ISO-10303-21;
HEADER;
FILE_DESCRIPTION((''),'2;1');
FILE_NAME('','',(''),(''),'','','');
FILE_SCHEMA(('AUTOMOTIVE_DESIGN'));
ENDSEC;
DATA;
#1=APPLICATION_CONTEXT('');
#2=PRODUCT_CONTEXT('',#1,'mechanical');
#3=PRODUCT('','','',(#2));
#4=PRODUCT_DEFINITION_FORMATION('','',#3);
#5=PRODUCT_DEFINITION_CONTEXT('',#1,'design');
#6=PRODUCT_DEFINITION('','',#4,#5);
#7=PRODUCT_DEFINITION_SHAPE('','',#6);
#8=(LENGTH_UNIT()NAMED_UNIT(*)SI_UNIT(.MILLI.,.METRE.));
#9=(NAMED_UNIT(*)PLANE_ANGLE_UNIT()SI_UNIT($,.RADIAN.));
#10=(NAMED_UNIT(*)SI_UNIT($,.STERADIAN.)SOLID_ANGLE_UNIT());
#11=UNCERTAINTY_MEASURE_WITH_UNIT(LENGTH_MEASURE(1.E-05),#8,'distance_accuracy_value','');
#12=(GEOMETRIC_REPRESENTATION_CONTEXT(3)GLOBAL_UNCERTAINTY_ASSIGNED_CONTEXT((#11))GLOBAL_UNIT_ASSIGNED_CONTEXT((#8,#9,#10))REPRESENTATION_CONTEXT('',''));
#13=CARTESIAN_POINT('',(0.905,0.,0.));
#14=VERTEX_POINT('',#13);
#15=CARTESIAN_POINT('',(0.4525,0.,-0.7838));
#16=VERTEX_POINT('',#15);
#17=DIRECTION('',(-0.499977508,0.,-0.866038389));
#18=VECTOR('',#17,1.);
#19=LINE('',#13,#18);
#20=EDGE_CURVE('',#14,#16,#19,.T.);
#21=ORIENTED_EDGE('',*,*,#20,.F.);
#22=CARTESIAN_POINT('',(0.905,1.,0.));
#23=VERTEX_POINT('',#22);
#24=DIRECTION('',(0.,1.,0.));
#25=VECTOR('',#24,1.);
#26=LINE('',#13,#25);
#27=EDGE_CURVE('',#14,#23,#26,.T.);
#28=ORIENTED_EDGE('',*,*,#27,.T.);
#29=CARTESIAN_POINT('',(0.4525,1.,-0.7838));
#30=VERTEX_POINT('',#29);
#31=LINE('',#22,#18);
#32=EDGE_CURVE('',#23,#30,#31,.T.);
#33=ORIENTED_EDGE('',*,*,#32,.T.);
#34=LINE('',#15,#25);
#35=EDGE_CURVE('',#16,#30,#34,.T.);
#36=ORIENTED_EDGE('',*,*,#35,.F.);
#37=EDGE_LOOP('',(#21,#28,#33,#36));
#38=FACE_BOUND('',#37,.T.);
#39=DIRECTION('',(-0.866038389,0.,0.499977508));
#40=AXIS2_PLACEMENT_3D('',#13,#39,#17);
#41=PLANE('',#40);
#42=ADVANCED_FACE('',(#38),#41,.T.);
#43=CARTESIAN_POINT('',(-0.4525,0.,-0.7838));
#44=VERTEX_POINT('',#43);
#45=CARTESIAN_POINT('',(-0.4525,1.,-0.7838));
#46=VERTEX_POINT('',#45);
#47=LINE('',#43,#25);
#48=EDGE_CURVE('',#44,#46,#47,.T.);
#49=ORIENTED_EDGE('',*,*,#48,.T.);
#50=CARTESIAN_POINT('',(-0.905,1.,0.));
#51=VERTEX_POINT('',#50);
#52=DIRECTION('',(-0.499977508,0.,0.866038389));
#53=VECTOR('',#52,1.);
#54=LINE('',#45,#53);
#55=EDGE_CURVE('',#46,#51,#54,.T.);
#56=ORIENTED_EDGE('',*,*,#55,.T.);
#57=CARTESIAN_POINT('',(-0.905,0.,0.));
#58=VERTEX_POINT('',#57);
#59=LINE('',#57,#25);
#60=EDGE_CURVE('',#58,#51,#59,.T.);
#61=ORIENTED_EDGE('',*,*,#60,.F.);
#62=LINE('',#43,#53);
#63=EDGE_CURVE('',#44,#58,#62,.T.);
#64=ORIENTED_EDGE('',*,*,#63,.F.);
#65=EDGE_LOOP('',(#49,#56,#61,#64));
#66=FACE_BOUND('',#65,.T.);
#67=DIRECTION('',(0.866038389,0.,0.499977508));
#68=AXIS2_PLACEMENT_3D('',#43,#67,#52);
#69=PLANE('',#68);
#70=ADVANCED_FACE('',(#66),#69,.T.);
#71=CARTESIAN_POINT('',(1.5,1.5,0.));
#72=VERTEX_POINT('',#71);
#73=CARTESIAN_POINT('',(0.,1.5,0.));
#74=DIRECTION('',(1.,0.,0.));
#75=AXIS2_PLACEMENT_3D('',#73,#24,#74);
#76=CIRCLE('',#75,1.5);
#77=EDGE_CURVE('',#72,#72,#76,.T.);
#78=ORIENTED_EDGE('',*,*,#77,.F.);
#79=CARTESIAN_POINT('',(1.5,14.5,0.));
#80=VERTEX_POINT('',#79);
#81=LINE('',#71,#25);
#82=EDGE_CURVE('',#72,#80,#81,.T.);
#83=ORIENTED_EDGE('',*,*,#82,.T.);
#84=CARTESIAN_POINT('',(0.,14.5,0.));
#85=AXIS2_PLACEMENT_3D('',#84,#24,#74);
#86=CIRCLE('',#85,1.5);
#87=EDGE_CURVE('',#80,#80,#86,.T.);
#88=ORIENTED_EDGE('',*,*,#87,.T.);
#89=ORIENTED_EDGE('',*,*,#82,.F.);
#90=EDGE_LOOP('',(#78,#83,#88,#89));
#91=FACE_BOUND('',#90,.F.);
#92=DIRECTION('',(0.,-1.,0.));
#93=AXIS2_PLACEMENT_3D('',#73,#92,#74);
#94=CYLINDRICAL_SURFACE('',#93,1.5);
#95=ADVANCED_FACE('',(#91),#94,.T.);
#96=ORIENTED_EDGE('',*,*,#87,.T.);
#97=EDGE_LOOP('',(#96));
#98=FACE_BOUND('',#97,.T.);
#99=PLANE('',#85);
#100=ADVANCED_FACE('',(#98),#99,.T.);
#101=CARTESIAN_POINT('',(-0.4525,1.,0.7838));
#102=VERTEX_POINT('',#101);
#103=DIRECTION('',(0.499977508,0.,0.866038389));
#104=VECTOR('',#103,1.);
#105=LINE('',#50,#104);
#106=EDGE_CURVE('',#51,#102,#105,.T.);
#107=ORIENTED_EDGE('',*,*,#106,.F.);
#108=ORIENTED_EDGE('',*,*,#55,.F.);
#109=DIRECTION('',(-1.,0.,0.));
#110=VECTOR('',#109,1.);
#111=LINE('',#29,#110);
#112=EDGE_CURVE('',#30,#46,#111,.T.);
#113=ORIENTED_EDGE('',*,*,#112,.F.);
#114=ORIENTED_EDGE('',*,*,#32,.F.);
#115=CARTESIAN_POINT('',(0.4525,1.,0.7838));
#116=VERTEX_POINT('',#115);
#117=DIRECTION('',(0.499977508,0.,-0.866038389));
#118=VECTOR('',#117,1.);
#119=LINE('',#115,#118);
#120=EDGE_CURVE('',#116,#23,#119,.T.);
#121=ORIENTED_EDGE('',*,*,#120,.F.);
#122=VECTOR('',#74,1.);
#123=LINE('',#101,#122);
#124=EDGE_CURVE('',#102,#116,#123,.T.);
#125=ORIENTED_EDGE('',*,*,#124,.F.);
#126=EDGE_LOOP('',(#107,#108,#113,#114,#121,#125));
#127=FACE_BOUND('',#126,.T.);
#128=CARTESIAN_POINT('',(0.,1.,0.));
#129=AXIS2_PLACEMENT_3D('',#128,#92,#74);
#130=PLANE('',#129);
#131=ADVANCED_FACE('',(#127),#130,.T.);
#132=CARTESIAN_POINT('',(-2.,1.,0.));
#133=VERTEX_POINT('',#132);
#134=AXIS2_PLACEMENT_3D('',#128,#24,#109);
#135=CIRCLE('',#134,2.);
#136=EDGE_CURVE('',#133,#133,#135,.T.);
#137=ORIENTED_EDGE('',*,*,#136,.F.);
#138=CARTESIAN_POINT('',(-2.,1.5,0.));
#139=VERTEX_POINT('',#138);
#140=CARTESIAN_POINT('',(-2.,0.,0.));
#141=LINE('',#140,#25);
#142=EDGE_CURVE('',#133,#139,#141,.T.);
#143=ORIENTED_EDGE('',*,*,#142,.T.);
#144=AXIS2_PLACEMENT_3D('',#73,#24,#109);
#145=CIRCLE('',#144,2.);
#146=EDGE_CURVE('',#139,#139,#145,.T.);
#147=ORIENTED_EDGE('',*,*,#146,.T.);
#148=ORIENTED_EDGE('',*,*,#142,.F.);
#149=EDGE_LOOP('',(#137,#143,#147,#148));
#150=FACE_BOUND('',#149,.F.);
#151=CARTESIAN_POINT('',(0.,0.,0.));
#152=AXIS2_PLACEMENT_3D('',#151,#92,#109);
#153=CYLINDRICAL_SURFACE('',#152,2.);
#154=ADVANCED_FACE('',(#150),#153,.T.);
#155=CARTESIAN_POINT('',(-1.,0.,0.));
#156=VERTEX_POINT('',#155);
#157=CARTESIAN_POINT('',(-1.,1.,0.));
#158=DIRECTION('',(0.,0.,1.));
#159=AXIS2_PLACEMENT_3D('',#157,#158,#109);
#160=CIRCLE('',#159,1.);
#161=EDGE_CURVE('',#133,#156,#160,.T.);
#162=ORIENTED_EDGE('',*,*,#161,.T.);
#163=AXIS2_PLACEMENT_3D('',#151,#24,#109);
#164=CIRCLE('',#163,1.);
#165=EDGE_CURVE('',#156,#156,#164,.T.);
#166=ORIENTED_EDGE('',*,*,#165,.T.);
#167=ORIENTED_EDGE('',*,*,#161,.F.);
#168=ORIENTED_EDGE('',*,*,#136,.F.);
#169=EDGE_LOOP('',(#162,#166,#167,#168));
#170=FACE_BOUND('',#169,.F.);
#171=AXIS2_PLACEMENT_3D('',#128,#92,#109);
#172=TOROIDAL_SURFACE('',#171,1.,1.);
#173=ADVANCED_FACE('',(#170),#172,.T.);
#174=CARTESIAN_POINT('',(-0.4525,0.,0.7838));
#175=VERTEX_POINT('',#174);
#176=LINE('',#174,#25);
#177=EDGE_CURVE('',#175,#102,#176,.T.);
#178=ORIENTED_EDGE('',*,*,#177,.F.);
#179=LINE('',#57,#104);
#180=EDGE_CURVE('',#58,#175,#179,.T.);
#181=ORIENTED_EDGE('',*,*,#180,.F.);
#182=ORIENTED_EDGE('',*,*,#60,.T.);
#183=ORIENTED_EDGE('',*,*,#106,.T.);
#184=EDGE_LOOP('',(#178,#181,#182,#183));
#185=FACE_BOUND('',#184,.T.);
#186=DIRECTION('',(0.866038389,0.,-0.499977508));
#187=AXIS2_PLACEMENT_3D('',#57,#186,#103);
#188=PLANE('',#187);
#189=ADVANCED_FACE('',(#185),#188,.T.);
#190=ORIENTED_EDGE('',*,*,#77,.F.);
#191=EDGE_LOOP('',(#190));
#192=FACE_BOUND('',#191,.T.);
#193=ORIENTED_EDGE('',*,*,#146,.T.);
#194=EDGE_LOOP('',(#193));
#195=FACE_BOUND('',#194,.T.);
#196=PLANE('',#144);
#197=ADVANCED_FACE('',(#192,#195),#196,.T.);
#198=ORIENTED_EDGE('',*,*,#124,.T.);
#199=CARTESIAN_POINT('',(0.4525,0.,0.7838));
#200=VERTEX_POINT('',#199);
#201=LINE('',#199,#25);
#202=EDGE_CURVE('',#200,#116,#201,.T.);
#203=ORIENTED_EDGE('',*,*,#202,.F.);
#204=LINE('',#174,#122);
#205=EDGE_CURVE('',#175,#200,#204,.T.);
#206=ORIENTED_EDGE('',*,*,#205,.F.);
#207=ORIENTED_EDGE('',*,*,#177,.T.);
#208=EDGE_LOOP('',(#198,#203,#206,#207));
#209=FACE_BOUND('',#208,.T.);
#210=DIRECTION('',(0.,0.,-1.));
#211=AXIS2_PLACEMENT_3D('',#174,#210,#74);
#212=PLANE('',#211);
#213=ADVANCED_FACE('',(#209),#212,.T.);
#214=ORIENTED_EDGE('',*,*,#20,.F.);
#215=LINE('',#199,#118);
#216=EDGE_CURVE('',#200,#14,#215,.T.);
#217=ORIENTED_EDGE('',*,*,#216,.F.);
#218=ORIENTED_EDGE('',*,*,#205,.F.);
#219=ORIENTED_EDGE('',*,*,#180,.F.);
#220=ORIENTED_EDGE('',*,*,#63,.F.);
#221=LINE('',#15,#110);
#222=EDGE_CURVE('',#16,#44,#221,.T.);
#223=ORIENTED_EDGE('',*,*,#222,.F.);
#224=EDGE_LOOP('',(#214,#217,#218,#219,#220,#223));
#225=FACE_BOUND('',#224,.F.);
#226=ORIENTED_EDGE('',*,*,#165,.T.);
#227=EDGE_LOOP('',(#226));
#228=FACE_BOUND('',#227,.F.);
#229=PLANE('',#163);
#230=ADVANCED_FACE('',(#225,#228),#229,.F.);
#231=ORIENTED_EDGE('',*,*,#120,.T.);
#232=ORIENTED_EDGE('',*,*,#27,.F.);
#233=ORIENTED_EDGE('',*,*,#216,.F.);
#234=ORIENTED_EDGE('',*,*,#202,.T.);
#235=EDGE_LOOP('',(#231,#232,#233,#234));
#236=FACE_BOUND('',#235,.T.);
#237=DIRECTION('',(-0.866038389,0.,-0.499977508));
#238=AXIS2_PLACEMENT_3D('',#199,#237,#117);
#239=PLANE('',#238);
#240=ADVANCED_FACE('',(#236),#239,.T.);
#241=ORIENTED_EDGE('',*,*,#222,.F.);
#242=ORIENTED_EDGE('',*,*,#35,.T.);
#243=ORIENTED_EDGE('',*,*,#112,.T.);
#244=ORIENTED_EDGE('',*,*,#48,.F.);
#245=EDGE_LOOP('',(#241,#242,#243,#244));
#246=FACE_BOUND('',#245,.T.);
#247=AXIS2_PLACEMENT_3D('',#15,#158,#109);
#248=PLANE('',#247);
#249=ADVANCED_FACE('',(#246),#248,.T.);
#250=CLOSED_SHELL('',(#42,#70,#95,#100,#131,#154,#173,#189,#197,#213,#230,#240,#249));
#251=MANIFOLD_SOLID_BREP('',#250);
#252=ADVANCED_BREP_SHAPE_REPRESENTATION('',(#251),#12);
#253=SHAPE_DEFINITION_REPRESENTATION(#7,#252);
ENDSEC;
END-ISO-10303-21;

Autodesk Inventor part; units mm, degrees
ref_plane "YZ Plane" through (0, 0, 0) normal (1, 0, 0) x (0, 1, 0)
ref_plane "XZ Plane" through (0, 0, 0) normal (0, 1, 0) x (-1, 0, 0)
ref_plane "XY Plane" through (0, 0, 0) normal (0, 0, 1) x (1, 0, 0)
sketch "Sketch1" plane through (0, 0, 0) normal (0, 1, 0) x (-1, 0, 0)
  circle A0 centre (0, 0) radius 2
  dimension "d0" = 4
extrude "Extrusion1" add sketch "Sketch1" along normal blind 1.5
sketch "Sketch2" plane through (0, 1.5, 0) normal (0, 1, 0) x (1, 0, 0)
  circle A0 centre (0, 0) radius 1.5
  dimension "d3" = 3
extrude "Extrusion2" add sketch "Sketch2" along normal blind 13
sketch "Sketch3" plane through (0, 0, 0) normal (0, -1, 0) x (1, 0, 0)
  line L0 (0.905, 0) -> (0.4525, -0.7838)
  line L1 (0.4525, -0.7838) -> (-0.4525, -0.7838)
  line L2 (-0.4525, -0.7838) -> (-0.905, 0)
  line L3 (-0.905, 0) -> (-0.4525, 0.7838)
  line L4 (-0.4525, 0.7838) -> (0.4525, 0.7838)
  line L5 (0.4525, 0.7838) -> (0.905, 0)
  point P0 (0, 0)
  point P1 (0, 0)
extrude "Extrusion3" cut sketch "Sketch3" against normal blind 1
fillet "Fillet1" radius 1 1 edges at (2, 0, 0)
thread "Thread1" size "M3x0.35" class "6g" standard "ANSI Metric M Profile" full length
properties part number "M3x13"
